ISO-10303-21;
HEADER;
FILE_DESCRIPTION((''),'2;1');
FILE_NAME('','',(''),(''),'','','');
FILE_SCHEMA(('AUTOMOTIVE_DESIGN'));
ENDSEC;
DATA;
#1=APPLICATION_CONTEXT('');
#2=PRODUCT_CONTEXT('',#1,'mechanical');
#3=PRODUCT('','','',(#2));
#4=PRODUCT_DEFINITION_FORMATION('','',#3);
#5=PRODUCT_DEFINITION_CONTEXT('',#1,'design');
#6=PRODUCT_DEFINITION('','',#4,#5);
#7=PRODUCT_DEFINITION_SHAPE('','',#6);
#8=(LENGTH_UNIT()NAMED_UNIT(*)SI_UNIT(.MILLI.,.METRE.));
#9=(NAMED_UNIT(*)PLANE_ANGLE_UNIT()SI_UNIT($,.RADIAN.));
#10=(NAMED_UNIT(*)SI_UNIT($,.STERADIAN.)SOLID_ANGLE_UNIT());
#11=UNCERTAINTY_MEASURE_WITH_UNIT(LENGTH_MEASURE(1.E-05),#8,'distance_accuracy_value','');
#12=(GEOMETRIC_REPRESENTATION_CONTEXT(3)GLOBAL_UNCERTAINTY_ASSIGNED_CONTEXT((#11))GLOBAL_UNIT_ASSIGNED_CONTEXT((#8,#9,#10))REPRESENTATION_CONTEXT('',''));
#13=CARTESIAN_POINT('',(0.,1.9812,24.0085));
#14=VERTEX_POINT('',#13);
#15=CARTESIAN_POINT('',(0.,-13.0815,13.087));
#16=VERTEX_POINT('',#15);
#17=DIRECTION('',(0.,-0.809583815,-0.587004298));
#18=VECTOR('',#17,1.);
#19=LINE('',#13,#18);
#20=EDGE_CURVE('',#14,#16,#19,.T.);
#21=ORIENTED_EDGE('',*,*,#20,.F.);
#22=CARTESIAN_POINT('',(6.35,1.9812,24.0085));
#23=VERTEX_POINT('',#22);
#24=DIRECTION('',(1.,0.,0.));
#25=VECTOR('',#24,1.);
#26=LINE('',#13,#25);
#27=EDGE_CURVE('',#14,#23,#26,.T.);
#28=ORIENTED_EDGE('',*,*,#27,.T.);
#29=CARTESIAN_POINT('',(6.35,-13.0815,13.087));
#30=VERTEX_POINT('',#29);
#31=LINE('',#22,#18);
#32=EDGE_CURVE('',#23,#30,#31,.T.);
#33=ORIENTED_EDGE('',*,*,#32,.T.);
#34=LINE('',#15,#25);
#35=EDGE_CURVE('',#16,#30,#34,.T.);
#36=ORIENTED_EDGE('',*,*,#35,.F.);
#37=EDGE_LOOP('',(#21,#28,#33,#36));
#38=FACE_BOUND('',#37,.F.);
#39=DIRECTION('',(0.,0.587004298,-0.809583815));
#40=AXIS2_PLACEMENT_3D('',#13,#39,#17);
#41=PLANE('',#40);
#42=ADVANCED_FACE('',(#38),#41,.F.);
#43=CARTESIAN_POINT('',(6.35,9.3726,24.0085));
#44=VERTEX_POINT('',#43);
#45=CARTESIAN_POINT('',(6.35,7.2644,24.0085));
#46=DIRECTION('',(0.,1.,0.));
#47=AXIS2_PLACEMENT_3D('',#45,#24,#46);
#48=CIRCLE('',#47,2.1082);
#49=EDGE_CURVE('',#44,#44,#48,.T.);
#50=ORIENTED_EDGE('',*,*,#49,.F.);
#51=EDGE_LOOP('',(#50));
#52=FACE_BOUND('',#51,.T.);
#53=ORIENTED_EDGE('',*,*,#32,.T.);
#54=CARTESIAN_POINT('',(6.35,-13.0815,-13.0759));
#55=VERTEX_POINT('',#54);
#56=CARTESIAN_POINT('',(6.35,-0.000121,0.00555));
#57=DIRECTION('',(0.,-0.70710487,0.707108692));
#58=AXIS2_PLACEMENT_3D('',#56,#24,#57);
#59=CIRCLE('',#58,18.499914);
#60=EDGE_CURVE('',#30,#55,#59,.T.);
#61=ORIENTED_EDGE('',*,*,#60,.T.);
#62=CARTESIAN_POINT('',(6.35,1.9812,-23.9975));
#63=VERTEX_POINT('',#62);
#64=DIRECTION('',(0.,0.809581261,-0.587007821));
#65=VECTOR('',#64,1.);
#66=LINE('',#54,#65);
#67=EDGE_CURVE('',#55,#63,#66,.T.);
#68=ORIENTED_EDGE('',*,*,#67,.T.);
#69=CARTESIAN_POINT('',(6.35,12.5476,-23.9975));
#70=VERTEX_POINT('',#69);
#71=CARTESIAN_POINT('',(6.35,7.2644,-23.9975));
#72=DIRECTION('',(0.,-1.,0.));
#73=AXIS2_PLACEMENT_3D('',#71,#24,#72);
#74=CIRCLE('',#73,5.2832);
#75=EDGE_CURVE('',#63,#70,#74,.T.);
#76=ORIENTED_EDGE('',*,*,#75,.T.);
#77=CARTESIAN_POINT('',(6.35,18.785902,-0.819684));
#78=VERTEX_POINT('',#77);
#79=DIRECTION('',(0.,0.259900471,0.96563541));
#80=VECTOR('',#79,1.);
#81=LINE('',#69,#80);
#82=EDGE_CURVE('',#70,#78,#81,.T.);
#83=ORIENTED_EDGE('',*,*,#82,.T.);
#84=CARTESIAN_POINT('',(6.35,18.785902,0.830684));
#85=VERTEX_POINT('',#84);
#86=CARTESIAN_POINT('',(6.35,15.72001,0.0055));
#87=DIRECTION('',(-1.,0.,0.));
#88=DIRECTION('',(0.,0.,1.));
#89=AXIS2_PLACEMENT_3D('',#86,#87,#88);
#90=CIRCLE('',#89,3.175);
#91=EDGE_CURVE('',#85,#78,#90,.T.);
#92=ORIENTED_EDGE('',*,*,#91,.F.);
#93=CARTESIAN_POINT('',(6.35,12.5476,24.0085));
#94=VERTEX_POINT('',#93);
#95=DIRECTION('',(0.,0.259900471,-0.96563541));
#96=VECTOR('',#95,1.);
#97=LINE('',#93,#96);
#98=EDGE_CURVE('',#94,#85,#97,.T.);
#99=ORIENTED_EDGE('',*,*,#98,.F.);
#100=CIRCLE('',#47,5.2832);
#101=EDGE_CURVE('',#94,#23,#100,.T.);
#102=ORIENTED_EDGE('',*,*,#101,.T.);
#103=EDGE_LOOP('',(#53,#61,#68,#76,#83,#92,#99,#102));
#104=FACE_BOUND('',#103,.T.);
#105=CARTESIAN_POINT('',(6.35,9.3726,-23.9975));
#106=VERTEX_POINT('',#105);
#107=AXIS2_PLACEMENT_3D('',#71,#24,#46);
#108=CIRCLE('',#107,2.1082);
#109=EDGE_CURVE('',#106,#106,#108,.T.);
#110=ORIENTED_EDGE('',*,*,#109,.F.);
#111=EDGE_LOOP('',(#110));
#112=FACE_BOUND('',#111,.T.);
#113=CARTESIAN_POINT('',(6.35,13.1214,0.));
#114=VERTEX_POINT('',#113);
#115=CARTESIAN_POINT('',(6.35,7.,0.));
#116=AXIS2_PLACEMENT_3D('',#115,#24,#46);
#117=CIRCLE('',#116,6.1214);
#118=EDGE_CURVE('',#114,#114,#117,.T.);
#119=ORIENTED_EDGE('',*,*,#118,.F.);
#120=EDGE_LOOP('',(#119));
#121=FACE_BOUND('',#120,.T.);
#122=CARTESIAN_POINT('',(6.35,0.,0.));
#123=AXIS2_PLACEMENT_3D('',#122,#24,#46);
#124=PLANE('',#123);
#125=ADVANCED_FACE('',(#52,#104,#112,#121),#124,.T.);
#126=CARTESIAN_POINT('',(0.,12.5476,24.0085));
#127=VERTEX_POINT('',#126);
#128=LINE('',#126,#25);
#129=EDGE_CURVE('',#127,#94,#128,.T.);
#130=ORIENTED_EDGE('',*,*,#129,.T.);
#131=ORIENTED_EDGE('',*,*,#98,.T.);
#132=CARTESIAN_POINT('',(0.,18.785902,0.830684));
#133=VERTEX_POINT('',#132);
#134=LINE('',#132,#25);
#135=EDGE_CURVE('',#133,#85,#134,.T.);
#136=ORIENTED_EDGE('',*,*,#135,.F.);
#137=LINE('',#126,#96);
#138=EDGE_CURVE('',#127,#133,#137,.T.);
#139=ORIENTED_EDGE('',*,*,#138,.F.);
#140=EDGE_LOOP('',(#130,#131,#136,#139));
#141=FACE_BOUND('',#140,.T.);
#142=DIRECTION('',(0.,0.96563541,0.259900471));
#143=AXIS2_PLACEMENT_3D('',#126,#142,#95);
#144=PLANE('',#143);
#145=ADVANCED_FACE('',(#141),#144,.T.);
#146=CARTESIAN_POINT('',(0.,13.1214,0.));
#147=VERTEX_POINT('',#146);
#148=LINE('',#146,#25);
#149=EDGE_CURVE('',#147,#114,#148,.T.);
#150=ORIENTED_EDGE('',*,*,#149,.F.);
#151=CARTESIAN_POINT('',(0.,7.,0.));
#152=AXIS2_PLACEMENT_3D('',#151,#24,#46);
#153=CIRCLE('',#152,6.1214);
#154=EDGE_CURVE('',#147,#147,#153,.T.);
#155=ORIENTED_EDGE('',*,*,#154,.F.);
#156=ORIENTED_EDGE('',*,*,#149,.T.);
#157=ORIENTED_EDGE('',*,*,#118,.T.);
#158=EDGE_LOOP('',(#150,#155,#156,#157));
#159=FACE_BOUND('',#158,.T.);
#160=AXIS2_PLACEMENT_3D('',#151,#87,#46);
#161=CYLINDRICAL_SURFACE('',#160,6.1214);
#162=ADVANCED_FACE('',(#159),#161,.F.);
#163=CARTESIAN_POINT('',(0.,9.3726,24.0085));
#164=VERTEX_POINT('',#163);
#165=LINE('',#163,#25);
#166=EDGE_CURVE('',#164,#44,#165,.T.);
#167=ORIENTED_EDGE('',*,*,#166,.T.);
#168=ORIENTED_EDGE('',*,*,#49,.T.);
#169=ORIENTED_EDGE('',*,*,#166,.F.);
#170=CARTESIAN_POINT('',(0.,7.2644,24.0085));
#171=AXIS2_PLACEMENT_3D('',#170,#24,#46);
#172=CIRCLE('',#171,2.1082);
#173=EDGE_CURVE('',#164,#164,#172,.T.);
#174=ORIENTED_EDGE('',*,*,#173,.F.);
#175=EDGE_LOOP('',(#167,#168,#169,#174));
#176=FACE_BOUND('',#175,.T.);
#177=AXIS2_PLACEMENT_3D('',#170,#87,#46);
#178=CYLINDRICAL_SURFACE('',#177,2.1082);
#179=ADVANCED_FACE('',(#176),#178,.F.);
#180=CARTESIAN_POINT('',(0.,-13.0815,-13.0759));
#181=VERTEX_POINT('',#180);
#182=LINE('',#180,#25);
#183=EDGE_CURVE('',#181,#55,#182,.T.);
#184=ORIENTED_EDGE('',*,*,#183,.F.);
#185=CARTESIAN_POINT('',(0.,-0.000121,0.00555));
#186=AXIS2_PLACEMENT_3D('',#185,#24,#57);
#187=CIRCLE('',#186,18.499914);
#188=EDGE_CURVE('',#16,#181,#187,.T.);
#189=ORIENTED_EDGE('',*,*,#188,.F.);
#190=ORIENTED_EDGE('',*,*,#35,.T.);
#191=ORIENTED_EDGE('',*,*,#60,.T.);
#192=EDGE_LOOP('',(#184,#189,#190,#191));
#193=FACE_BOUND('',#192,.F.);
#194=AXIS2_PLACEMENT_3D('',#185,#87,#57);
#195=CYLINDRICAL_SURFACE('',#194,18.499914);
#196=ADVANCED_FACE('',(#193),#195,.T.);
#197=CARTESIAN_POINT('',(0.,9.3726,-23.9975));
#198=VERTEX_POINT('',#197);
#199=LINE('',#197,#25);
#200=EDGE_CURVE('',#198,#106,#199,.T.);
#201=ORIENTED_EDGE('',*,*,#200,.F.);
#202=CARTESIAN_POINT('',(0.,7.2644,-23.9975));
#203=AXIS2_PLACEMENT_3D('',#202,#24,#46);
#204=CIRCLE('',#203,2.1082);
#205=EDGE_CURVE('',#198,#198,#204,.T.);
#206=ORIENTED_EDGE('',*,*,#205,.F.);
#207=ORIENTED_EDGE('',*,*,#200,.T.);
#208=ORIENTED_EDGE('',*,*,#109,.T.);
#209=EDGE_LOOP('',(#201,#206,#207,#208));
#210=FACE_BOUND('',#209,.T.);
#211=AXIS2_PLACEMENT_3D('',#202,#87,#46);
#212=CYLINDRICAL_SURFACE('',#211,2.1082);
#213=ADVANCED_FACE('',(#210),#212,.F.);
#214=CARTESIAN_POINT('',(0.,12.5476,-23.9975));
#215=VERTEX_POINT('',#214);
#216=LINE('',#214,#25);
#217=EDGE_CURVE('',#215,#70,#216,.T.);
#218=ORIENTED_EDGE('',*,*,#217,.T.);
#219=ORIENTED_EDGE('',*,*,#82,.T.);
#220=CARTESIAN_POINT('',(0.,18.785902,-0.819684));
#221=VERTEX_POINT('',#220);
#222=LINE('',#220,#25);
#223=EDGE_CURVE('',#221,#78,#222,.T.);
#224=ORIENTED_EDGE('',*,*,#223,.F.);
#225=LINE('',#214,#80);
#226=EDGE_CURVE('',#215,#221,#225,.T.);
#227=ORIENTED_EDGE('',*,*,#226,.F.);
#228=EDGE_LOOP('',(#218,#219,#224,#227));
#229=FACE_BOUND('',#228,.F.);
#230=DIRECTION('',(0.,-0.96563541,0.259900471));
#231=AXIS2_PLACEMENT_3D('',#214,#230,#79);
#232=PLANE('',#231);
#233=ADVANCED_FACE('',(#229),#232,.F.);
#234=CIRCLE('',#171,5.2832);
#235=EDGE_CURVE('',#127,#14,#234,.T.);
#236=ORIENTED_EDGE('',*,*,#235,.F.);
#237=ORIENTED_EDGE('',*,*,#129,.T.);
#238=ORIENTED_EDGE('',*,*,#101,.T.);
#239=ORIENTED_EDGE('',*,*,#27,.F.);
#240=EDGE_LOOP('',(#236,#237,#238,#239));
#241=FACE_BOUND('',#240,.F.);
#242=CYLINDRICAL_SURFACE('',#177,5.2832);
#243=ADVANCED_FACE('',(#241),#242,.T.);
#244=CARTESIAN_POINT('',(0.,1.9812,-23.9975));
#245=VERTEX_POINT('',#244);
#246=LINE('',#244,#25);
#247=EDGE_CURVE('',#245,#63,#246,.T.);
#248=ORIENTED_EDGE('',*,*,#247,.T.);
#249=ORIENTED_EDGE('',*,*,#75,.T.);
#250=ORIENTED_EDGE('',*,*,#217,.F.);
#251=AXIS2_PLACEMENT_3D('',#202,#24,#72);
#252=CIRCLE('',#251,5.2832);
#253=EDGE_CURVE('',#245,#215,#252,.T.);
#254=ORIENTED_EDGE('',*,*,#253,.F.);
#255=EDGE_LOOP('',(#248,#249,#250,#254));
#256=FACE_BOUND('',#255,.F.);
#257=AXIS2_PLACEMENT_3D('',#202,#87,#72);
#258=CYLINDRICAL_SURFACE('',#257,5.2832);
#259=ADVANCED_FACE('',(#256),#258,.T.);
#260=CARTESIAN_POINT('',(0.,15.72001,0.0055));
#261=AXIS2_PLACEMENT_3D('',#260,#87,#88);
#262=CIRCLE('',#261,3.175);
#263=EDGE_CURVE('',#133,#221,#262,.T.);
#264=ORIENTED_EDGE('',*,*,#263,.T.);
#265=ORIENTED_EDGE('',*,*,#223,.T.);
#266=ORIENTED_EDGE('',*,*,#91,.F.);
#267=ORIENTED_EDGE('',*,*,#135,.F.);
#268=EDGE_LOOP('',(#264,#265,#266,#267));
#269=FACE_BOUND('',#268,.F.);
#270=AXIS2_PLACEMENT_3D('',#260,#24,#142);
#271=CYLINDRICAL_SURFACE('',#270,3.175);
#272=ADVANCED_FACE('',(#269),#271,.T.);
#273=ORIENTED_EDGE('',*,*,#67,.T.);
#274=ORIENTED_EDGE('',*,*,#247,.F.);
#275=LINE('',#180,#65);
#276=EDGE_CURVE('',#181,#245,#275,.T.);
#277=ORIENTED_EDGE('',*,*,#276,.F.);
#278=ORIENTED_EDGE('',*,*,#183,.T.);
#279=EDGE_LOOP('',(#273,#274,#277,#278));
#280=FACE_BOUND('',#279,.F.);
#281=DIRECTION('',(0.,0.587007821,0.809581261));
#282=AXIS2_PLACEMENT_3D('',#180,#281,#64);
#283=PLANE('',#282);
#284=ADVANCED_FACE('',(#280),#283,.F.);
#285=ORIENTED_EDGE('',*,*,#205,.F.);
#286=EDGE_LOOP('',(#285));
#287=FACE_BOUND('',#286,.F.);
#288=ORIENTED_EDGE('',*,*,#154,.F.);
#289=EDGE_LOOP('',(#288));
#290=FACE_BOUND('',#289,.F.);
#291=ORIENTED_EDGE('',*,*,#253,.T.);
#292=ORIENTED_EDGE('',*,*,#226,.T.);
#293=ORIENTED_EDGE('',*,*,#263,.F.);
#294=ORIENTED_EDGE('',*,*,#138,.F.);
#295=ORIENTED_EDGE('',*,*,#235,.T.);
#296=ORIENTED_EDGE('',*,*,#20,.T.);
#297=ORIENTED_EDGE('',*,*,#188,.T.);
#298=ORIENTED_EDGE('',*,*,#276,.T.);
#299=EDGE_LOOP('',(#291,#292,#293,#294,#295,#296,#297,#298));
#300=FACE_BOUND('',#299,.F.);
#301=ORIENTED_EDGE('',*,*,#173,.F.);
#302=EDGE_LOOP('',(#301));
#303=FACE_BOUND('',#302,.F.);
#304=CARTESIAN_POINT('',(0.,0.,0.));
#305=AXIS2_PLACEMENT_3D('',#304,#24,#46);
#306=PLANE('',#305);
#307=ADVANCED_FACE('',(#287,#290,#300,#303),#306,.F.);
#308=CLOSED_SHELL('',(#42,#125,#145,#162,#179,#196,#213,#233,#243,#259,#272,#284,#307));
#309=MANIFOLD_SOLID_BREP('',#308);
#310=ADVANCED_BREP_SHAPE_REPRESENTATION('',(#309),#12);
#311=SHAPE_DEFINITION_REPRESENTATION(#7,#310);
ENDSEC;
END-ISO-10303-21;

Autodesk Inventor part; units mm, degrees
ref_plane "YZ Plane" through (0, 0, 0) normal (1, 0, 0) x (0, 1, 0)
ref_plane "XZ Plane" through (0, 0, 0) normal (0, 1, 0) x (-1, 0, 0)
ref_plane "XY Plane" through (0, 0, 0) normal (0, 0, 1) x (1, 0, 0)
sketch "Sketch1" plane through (0, 0, 0) normal (1, 0, 0) x (0, 1, 0)
  circle A0 centre (7.2644, 24.0085) radius 2.1082
  circle A1 centre (7.2644, -23.9975) radius 2.1082
  arc A2 (12.5476, 24.0085) -> (1.9812, 24.0085) centre (7.2644, 24.0085) ccw
  arc A3 (1.9812, -23.9975) -> (12.5476, -23.9975) centre (7.2644, -23.9975) ccw
  line L0 (12.5476, 24.0085) -> (19.008, 0.0055)
  line L1 (12.5476, -23.9975) -> (19.008, 0.0055)
  line L2 (1.9812, 24.0085) -> (-13.0815, 13.087)
  line L3 (-13.0815, -13.0759) -> (1.9812, -23.9975)
  arc A4 (-13.0815, 13.087) -> (-13.0815, -13.0759) centre (0, 0.0055) ccw
  circle A5 centre (7, 0) radius 6.1214
  point P0 (0, 0)
  dimension "d8" = 4.2164
  dimension "d11" = 4.2164
  dimension "d14" = 10.5664
  dimension "d15" = 10.5664
  dimension "d43" = 12.2428
extrude "Extrusion1" add sketch "Sketch1" along normal blind 6.35
fillet "Fillet1" radius 3.175 1 edges at (3.175, 19.008, 0.0055)
properties part number "MotorFixedPositionMount"
